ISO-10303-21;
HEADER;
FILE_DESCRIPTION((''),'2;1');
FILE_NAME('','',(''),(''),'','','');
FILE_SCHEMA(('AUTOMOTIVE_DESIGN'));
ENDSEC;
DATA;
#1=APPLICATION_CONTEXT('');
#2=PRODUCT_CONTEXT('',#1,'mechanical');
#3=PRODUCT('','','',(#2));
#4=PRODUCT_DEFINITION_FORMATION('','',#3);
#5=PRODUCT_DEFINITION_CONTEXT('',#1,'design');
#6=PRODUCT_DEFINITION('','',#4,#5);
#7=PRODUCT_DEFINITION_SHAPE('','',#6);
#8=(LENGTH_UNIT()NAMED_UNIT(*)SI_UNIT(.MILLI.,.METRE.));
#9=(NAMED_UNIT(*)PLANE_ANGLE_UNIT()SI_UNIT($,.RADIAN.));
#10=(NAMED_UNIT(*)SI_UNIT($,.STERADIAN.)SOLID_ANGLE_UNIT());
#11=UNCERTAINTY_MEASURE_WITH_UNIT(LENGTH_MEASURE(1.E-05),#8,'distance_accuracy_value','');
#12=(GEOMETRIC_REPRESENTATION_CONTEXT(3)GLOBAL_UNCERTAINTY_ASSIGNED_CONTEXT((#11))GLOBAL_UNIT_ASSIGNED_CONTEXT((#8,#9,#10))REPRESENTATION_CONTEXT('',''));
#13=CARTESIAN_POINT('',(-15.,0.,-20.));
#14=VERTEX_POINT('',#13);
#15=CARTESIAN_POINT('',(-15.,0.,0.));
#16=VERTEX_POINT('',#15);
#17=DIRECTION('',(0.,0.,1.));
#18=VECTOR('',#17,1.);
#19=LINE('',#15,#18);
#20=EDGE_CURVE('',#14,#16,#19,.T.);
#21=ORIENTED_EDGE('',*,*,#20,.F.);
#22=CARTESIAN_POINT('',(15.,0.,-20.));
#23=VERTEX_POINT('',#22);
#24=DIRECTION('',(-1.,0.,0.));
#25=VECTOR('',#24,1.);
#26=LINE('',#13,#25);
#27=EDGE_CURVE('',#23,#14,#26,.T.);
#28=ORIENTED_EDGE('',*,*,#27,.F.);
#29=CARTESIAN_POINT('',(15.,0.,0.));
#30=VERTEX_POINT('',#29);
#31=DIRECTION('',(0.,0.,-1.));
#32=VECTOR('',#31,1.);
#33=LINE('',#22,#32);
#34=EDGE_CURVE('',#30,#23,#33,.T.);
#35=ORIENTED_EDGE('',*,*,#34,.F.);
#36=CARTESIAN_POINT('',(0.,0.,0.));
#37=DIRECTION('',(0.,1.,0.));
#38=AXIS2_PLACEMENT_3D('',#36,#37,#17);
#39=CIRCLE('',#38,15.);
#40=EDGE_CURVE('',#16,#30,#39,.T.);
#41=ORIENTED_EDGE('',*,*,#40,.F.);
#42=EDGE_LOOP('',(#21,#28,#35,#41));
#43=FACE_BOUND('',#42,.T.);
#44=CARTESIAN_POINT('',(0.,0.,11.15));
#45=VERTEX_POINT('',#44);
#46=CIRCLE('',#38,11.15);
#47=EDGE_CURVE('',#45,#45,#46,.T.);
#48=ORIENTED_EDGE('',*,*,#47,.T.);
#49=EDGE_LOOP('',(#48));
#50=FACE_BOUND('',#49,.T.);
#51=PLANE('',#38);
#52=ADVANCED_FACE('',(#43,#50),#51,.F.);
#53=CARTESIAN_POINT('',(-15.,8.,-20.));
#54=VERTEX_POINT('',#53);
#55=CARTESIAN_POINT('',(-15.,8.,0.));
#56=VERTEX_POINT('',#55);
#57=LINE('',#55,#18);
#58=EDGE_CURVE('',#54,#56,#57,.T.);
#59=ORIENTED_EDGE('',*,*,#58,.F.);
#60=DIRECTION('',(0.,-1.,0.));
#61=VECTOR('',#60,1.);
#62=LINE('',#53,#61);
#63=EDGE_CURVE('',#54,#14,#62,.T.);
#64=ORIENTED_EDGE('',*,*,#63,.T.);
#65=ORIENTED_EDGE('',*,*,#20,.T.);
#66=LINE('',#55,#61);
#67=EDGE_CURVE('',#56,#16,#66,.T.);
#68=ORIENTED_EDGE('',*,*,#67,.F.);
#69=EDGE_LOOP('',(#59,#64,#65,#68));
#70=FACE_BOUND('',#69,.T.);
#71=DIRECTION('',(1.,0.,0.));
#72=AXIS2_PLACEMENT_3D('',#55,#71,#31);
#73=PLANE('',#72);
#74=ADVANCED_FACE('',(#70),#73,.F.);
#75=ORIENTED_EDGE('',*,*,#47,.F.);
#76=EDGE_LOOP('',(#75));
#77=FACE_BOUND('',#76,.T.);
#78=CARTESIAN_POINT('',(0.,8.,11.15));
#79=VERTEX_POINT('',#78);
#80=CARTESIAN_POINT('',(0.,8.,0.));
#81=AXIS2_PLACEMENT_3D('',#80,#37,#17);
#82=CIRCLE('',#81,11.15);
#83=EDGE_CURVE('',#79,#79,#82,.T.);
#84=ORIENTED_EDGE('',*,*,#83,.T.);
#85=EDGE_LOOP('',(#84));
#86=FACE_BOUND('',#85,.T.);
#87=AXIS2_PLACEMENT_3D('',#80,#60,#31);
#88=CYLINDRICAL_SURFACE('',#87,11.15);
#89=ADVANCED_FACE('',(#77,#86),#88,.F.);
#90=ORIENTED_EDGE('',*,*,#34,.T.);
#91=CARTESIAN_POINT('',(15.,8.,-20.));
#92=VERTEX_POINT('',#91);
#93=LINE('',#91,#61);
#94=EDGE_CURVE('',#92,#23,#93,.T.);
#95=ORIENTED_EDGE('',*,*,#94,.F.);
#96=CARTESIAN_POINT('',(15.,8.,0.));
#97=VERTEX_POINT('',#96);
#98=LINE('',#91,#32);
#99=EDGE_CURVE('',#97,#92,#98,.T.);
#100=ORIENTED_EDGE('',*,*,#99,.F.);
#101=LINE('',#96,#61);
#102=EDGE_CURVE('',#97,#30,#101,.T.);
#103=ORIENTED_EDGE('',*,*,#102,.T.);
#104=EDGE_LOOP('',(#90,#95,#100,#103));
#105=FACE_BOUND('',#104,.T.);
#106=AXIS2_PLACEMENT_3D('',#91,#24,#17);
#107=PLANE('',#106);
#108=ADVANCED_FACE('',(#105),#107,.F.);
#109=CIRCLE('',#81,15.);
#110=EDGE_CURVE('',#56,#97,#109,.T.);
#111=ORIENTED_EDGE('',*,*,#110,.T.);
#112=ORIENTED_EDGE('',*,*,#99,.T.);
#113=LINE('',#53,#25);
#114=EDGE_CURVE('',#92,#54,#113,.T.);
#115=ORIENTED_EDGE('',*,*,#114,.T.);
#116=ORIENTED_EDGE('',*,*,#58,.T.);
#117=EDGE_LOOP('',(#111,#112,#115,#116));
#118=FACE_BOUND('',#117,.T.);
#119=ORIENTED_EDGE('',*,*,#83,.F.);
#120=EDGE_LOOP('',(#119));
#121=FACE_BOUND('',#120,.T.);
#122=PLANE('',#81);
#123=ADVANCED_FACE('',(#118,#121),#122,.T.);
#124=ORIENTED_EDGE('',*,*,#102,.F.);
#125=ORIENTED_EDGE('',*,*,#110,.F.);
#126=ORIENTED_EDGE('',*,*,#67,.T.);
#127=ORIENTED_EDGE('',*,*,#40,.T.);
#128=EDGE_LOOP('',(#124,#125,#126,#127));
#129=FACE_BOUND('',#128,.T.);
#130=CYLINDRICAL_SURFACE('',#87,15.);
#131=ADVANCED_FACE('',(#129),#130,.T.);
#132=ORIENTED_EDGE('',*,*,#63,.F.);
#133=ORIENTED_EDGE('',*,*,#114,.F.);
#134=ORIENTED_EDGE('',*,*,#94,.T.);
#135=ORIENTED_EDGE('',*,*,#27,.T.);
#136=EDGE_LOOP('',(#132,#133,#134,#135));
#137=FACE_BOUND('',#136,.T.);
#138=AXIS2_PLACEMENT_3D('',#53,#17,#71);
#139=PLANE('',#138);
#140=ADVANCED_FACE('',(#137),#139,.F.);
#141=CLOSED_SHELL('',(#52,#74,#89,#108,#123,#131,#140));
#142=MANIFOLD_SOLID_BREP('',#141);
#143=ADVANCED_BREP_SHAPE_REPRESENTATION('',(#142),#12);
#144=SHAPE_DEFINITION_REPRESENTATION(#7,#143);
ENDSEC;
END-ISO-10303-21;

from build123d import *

# Parameters (mm, degrees)
CROQUIS1_R              = 11.15
SALIENTE_EXTRUIR1_DEPTH = 8


with BuildPart() as part:
    # Croquis1 → Saliente-Extruir1 (new body)
    with BuildSketch(Plane(origin=(0, 0, 0), x_dir=(1, 0, 0), z_dir=(0, 1, 0))):
        with BuildLine():
            Line((-15, 0), (-15, 20))
            Line((-15, 20), (15, 20))
            Line((15, 20), (15, 0))
            ThreePointArc((15, 0), (0, -15), (-15, 0))
        make_face()
        with Locations(Location((0, 0, 0), (0, 0, 270))):
            Circle(CROQUIS1_R, mode=Mode.SUBTRACT)
    extrude(amount=SALIENTE_EXTRUIR1_DEPTH)


solid = part.part
